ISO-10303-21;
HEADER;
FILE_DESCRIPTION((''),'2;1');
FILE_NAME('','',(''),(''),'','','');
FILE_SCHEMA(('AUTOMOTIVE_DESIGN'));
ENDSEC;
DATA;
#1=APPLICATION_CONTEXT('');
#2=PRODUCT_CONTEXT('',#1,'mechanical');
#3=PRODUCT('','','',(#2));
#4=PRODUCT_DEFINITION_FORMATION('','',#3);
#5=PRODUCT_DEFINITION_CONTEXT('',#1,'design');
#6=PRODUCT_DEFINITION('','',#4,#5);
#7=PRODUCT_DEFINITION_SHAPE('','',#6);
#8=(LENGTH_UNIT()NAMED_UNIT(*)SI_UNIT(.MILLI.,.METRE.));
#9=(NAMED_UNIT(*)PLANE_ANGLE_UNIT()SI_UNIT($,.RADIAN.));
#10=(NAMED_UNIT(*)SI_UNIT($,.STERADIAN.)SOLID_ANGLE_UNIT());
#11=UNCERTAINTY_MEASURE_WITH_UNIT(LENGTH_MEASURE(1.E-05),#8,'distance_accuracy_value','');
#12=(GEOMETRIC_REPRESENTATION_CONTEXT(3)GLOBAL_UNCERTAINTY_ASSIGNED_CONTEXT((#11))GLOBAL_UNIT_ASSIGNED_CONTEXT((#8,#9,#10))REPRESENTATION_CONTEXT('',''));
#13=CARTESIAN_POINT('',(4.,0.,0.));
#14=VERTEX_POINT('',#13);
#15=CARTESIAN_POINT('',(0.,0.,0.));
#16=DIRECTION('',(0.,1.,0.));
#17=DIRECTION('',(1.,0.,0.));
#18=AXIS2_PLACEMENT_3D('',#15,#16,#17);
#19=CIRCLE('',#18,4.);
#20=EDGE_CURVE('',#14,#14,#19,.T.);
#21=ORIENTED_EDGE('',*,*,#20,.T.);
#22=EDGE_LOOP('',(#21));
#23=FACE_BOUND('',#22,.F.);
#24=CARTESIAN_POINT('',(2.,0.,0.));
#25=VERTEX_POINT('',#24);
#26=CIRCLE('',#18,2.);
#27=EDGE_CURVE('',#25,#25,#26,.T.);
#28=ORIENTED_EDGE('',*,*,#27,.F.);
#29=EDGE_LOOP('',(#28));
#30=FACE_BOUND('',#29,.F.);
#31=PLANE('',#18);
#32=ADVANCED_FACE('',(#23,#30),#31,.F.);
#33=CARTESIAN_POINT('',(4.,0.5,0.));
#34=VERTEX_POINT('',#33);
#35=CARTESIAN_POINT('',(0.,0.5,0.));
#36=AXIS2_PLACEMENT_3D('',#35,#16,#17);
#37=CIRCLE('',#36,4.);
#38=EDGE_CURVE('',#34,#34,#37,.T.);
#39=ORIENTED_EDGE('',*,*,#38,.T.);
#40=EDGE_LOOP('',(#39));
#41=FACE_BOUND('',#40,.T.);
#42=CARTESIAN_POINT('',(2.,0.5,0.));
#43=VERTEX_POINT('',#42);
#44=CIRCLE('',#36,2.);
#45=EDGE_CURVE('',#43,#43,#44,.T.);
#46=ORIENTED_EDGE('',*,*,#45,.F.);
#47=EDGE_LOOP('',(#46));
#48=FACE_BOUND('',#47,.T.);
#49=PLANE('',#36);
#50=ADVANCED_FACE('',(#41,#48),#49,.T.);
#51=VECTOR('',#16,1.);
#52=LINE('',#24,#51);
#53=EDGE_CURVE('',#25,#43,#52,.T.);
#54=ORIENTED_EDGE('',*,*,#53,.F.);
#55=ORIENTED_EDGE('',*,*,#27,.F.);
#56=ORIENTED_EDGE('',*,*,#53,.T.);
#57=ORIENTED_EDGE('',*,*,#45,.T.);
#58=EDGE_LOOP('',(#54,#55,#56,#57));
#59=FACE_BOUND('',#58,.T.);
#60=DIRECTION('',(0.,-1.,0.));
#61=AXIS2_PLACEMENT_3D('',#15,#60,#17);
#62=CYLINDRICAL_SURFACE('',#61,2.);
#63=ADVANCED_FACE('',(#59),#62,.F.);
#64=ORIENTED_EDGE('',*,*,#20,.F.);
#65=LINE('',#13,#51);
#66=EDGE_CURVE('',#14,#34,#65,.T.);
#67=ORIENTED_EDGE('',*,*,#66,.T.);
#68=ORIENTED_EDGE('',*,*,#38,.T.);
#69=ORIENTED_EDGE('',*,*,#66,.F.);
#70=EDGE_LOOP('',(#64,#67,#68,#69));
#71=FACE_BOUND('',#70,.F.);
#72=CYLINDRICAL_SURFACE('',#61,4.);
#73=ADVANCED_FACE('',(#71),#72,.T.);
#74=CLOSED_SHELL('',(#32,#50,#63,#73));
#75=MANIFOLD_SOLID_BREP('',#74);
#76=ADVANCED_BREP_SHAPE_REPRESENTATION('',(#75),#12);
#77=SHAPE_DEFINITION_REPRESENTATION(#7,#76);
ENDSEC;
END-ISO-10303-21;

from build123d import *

# Parameters (mm, degrees)
SKETCH_1_R      = 4
SKETCH_1_R_2    = 2
EXTRUDE_1_DEPTH = 0.5


with BuildPart() as part:
    # 草图1 → 凸台-拉伸1 (new body)
    with BuildSketch(Plane(origin=(0, 0, 0), x_dir=(1, 0, 0), z_dir=(0, 1, 0))):
        Circle(SKETCH_1_R)
        Circle(SKETCH_1_R_2, mode=Mode.SUBTRACT)
    extrude(amount=EXTRUDE_1_DEPTH)


solid = part.part
